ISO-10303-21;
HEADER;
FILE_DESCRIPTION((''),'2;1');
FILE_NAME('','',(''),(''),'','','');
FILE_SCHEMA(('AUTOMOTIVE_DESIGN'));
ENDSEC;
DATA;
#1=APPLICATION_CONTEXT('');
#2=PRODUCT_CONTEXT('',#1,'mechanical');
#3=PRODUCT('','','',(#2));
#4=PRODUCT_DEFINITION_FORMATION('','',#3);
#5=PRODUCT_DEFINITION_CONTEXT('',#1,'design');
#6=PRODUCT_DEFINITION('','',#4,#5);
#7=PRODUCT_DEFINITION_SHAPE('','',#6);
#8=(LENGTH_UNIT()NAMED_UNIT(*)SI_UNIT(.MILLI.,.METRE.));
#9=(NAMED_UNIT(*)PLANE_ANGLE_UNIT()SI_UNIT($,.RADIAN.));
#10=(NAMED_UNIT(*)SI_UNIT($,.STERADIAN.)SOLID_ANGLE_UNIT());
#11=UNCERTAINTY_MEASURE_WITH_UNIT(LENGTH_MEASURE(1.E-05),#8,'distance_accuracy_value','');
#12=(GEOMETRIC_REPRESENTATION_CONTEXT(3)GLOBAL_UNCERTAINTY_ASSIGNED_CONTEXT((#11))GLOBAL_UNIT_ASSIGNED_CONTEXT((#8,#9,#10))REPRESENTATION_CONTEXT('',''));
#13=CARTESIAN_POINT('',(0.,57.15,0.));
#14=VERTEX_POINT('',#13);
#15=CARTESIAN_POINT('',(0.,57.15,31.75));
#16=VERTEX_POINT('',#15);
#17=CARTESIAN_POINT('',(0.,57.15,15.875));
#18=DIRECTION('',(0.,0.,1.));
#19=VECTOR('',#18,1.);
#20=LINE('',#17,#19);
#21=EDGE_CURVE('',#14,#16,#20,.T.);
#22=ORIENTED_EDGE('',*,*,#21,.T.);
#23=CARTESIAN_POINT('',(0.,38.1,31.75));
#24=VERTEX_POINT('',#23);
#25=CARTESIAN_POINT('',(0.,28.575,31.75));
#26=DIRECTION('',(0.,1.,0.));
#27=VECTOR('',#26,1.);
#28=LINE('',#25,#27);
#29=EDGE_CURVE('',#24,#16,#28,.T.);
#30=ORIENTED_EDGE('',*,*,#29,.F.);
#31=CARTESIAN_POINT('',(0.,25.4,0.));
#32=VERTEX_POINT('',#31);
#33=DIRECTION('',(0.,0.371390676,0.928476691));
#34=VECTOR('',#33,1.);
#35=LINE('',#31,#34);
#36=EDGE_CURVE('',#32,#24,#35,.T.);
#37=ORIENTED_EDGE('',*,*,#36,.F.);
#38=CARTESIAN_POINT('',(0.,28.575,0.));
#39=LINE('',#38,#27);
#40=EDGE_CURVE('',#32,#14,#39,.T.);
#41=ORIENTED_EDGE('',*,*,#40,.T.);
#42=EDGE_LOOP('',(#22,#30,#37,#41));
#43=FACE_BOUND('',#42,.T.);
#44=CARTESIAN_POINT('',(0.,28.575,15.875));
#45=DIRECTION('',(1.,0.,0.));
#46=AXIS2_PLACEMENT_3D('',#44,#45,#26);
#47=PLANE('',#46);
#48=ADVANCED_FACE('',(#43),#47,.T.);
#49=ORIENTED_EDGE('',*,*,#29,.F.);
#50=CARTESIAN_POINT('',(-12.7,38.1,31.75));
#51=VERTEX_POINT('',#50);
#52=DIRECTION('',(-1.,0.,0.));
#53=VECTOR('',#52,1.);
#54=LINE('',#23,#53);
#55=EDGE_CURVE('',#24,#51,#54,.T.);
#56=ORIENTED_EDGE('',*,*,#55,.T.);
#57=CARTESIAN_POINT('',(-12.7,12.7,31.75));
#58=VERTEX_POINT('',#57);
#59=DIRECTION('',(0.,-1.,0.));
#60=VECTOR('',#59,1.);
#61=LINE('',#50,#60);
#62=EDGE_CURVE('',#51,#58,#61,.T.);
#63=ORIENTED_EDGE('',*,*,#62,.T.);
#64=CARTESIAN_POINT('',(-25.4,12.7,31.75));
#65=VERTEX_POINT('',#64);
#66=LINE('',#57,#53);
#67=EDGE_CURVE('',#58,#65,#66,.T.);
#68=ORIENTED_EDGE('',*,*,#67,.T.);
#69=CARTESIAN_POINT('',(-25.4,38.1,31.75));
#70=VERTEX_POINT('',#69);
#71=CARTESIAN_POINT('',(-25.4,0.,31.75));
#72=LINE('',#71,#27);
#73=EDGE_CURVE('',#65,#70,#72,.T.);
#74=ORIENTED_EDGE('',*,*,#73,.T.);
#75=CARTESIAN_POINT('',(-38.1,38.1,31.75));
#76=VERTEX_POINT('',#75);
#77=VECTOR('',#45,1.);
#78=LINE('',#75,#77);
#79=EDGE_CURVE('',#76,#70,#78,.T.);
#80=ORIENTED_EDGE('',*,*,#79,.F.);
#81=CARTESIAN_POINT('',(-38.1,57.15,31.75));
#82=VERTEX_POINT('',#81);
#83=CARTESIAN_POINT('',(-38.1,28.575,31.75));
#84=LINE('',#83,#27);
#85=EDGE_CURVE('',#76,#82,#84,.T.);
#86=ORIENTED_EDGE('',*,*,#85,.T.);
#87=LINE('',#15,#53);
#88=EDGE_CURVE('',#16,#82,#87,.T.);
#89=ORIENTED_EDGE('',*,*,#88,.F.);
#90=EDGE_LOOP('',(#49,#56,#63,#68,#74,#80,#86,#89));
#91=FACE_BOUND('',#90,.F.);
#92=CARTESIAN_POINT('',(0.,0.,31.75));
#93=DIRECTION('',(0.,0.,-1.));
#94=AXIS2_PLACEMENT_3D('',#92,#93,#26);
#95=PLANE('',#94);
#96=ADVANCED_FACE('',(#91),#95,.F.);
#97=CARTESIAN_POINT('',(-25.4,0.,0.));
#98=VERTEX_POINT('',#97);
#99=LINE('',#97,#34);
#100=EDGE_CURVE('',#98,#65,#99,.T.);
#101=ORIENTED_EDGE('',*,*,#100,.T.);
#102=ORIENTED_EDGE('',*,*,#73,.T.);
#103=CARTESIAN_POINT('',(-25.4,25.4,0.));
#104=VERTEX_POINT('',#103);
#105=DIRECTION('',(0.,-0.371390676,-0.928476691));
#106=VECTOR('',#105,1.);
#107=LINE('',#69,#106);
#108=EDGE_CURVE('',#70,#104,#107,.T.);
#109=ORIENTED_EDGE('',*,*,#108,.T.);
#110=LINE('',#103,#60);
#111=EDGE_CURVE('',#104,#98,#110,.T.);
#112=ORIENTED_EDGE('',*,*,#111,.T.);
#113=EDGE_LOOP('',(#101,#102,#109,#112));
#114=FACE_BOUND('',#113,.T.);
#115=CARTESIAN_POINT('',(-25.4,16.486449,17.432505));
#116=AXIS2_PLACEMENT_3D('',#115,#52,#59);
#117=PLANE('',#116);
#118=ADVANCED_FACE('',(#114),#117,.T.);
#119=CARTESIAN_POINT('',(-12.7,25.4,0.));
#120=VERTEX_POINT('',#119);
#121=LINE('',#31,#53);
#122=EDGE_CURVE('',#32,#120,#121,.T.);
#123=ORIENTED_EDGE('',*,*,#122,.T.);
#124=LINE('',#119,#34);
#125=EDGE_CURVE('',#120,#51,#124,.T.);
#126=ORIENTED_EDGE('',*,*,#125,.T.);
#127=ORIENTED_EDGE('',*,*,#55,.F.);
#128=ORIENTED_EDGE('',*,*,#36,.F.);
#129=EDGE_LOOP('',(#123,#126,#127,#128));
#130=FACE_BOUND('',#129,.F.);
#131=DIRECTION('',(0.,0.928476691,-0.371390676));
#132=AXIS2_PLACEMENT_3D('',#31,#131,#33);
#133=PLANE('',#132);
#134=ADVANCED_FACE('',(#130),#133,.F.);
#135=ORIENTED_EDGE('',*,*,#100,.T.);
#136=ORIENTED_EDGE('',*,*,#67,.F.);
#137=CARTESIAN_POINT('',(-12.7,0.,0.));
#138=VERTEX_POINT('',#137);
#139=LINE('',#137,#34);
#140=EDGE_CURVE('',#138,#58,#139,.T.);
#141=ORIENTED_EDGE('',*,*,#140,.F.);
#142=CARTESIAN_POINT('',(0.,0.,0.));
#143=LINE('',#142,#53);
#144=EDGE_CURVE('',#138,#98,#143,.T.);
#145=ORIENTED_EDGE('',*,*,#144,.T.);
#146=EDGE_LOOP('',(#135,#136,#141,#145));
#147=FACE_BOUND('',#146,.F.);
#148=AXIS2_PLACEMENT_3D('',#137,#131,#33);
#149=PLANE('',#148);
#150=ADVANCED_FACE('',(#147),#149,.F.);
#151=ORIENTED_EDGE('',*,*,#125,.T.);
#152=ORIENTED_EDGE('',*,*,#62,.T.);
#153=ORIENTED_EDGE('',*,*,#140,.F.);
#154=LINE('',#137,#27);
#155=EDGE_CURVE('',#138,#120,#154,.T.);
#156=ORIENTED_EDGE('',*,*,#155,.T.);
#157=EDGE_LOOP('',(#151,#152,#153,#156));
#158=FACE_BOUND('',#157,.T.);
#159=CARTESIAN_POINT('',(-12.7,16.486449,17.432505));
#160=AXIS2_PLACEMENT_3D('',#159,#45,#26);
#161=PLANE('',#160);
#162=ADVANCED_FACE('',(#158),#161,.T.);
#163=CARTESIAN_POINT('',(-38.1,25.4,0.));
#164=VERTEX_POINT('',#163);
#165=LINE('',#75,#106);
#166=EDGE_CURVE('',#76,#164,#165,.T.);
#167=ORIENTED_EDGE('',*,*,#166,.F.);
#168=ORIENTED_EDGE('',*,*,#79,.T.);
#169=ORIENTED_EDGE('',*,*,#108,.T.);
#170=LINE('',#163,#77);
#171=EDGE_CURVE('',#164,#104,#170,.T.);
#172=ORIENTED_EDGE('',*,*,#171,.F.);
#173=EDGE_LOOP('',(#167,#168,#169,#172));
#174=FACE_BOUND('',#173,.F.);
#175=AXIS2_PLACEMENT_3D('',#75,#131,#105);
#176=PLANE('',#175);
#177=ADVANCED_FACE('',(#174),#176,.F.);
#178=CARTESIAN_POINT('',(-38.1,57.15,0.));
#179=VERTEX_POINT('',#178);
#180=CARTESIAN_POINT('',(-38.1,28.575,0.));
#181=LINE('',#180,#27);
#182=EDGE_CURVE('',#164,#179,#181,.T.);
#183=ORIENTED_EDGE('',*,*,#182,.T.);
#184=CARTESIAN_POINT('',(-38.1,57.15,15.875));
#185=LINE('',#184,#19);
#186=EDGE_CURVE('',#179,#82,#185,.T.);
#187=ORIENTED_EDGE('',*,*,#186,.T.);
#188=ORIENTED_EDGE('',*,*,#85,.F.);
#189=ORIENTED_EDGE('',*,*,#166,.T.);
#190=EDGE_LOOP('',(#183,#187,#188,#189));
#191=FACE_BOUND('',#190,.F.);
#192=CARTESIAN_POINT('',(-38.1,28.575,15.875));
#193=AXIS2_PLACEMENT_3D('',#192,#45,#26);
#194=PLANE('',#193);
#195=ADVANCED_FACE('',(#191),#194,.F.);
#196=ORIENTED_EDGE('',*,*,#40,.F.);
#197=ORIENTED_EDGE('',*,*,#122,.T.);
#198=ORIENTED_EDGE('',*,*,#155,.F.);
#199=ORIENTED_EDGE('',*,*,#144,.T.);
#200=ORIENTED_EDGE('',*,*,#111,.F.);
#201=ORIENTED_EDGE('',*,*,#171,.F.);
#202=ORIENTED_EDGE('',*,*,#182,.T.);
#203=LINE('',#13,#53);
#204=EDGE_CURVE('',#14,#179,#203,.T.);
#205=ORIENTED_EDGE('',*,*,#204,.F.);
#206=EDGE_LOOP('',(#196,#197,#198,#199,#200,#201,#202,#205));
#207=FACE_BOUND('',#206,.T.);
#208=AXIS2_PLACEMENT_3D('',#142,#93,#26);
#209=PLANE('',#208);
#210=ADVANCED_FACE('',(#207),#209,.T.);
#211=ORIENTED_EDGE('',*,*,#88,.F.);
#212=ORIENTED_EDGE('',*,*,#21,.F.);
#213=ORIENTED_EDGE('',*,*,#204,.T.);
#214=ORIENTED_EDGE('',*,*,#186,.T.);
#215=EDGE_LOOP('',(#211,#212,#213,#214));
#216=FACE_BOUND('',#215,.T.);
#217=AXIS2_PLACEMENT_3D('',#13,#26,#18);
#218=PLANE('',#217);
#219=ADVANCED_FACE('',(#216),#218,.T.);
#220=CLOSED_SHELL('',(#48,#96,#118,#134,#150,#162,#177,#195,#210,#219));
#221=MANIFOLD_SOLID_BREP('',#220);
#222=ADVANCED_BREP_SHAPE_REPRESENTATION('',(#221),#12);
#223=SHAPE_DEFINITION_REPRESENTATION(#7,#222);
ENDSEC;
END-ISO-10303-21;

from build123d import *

# Parameters (mm, degrees)
F0_W     = 57.15
F0_H     = 31.75
F1_DEPTH = 38.1
F3_DEPTH = 12.7
F5_DEPTH = 12.7
F7_DEPTH = 12.7


with BuildPart() as f1:
    # F0 (on Right) → F1 (new body)
    with BuildSketch(Plane.YZ):
        with Locations((28.575, 15.875)):
            Rectangle(F0_W, F0_H)
    extrude(amount=-F1_DEPTH)

    # F2 (on face) → F3 (cut)
    with BuildSketch(Plane(origin=(-38.1, 0, 0), x_dir=(0, -1, 0), z_dir=(-1, 0, 0))):
        Polygon((0, 31.75), (-38.1, 31.75), (-25.4, 0), (0, 0), align=None)
    extrude(amount=-F3_DEPTH, mode=Mode.SUBTRACT)

    # F4 (on face) → F5 (cut)
    with BuildSketch(Plane.YZ):
        Polygon((25.4, 0), (38.1, 31.75), (0, 31.75), (0, 0), align=None)
    extrude(amount=-F5_DEPTH, mode=Mode.SUBTRACT)

    # F6 (on face) → F7 (cut)
    with BuildSketch(Plane.YZ.offset(-12.7)):
        Polygon((0, 0), (12.7, 31.75), (0, 31.75), align=None)
    extrude(amount=-F7_DEPTH, mode=Mode.SUBTRACT)


solid = f1.part
